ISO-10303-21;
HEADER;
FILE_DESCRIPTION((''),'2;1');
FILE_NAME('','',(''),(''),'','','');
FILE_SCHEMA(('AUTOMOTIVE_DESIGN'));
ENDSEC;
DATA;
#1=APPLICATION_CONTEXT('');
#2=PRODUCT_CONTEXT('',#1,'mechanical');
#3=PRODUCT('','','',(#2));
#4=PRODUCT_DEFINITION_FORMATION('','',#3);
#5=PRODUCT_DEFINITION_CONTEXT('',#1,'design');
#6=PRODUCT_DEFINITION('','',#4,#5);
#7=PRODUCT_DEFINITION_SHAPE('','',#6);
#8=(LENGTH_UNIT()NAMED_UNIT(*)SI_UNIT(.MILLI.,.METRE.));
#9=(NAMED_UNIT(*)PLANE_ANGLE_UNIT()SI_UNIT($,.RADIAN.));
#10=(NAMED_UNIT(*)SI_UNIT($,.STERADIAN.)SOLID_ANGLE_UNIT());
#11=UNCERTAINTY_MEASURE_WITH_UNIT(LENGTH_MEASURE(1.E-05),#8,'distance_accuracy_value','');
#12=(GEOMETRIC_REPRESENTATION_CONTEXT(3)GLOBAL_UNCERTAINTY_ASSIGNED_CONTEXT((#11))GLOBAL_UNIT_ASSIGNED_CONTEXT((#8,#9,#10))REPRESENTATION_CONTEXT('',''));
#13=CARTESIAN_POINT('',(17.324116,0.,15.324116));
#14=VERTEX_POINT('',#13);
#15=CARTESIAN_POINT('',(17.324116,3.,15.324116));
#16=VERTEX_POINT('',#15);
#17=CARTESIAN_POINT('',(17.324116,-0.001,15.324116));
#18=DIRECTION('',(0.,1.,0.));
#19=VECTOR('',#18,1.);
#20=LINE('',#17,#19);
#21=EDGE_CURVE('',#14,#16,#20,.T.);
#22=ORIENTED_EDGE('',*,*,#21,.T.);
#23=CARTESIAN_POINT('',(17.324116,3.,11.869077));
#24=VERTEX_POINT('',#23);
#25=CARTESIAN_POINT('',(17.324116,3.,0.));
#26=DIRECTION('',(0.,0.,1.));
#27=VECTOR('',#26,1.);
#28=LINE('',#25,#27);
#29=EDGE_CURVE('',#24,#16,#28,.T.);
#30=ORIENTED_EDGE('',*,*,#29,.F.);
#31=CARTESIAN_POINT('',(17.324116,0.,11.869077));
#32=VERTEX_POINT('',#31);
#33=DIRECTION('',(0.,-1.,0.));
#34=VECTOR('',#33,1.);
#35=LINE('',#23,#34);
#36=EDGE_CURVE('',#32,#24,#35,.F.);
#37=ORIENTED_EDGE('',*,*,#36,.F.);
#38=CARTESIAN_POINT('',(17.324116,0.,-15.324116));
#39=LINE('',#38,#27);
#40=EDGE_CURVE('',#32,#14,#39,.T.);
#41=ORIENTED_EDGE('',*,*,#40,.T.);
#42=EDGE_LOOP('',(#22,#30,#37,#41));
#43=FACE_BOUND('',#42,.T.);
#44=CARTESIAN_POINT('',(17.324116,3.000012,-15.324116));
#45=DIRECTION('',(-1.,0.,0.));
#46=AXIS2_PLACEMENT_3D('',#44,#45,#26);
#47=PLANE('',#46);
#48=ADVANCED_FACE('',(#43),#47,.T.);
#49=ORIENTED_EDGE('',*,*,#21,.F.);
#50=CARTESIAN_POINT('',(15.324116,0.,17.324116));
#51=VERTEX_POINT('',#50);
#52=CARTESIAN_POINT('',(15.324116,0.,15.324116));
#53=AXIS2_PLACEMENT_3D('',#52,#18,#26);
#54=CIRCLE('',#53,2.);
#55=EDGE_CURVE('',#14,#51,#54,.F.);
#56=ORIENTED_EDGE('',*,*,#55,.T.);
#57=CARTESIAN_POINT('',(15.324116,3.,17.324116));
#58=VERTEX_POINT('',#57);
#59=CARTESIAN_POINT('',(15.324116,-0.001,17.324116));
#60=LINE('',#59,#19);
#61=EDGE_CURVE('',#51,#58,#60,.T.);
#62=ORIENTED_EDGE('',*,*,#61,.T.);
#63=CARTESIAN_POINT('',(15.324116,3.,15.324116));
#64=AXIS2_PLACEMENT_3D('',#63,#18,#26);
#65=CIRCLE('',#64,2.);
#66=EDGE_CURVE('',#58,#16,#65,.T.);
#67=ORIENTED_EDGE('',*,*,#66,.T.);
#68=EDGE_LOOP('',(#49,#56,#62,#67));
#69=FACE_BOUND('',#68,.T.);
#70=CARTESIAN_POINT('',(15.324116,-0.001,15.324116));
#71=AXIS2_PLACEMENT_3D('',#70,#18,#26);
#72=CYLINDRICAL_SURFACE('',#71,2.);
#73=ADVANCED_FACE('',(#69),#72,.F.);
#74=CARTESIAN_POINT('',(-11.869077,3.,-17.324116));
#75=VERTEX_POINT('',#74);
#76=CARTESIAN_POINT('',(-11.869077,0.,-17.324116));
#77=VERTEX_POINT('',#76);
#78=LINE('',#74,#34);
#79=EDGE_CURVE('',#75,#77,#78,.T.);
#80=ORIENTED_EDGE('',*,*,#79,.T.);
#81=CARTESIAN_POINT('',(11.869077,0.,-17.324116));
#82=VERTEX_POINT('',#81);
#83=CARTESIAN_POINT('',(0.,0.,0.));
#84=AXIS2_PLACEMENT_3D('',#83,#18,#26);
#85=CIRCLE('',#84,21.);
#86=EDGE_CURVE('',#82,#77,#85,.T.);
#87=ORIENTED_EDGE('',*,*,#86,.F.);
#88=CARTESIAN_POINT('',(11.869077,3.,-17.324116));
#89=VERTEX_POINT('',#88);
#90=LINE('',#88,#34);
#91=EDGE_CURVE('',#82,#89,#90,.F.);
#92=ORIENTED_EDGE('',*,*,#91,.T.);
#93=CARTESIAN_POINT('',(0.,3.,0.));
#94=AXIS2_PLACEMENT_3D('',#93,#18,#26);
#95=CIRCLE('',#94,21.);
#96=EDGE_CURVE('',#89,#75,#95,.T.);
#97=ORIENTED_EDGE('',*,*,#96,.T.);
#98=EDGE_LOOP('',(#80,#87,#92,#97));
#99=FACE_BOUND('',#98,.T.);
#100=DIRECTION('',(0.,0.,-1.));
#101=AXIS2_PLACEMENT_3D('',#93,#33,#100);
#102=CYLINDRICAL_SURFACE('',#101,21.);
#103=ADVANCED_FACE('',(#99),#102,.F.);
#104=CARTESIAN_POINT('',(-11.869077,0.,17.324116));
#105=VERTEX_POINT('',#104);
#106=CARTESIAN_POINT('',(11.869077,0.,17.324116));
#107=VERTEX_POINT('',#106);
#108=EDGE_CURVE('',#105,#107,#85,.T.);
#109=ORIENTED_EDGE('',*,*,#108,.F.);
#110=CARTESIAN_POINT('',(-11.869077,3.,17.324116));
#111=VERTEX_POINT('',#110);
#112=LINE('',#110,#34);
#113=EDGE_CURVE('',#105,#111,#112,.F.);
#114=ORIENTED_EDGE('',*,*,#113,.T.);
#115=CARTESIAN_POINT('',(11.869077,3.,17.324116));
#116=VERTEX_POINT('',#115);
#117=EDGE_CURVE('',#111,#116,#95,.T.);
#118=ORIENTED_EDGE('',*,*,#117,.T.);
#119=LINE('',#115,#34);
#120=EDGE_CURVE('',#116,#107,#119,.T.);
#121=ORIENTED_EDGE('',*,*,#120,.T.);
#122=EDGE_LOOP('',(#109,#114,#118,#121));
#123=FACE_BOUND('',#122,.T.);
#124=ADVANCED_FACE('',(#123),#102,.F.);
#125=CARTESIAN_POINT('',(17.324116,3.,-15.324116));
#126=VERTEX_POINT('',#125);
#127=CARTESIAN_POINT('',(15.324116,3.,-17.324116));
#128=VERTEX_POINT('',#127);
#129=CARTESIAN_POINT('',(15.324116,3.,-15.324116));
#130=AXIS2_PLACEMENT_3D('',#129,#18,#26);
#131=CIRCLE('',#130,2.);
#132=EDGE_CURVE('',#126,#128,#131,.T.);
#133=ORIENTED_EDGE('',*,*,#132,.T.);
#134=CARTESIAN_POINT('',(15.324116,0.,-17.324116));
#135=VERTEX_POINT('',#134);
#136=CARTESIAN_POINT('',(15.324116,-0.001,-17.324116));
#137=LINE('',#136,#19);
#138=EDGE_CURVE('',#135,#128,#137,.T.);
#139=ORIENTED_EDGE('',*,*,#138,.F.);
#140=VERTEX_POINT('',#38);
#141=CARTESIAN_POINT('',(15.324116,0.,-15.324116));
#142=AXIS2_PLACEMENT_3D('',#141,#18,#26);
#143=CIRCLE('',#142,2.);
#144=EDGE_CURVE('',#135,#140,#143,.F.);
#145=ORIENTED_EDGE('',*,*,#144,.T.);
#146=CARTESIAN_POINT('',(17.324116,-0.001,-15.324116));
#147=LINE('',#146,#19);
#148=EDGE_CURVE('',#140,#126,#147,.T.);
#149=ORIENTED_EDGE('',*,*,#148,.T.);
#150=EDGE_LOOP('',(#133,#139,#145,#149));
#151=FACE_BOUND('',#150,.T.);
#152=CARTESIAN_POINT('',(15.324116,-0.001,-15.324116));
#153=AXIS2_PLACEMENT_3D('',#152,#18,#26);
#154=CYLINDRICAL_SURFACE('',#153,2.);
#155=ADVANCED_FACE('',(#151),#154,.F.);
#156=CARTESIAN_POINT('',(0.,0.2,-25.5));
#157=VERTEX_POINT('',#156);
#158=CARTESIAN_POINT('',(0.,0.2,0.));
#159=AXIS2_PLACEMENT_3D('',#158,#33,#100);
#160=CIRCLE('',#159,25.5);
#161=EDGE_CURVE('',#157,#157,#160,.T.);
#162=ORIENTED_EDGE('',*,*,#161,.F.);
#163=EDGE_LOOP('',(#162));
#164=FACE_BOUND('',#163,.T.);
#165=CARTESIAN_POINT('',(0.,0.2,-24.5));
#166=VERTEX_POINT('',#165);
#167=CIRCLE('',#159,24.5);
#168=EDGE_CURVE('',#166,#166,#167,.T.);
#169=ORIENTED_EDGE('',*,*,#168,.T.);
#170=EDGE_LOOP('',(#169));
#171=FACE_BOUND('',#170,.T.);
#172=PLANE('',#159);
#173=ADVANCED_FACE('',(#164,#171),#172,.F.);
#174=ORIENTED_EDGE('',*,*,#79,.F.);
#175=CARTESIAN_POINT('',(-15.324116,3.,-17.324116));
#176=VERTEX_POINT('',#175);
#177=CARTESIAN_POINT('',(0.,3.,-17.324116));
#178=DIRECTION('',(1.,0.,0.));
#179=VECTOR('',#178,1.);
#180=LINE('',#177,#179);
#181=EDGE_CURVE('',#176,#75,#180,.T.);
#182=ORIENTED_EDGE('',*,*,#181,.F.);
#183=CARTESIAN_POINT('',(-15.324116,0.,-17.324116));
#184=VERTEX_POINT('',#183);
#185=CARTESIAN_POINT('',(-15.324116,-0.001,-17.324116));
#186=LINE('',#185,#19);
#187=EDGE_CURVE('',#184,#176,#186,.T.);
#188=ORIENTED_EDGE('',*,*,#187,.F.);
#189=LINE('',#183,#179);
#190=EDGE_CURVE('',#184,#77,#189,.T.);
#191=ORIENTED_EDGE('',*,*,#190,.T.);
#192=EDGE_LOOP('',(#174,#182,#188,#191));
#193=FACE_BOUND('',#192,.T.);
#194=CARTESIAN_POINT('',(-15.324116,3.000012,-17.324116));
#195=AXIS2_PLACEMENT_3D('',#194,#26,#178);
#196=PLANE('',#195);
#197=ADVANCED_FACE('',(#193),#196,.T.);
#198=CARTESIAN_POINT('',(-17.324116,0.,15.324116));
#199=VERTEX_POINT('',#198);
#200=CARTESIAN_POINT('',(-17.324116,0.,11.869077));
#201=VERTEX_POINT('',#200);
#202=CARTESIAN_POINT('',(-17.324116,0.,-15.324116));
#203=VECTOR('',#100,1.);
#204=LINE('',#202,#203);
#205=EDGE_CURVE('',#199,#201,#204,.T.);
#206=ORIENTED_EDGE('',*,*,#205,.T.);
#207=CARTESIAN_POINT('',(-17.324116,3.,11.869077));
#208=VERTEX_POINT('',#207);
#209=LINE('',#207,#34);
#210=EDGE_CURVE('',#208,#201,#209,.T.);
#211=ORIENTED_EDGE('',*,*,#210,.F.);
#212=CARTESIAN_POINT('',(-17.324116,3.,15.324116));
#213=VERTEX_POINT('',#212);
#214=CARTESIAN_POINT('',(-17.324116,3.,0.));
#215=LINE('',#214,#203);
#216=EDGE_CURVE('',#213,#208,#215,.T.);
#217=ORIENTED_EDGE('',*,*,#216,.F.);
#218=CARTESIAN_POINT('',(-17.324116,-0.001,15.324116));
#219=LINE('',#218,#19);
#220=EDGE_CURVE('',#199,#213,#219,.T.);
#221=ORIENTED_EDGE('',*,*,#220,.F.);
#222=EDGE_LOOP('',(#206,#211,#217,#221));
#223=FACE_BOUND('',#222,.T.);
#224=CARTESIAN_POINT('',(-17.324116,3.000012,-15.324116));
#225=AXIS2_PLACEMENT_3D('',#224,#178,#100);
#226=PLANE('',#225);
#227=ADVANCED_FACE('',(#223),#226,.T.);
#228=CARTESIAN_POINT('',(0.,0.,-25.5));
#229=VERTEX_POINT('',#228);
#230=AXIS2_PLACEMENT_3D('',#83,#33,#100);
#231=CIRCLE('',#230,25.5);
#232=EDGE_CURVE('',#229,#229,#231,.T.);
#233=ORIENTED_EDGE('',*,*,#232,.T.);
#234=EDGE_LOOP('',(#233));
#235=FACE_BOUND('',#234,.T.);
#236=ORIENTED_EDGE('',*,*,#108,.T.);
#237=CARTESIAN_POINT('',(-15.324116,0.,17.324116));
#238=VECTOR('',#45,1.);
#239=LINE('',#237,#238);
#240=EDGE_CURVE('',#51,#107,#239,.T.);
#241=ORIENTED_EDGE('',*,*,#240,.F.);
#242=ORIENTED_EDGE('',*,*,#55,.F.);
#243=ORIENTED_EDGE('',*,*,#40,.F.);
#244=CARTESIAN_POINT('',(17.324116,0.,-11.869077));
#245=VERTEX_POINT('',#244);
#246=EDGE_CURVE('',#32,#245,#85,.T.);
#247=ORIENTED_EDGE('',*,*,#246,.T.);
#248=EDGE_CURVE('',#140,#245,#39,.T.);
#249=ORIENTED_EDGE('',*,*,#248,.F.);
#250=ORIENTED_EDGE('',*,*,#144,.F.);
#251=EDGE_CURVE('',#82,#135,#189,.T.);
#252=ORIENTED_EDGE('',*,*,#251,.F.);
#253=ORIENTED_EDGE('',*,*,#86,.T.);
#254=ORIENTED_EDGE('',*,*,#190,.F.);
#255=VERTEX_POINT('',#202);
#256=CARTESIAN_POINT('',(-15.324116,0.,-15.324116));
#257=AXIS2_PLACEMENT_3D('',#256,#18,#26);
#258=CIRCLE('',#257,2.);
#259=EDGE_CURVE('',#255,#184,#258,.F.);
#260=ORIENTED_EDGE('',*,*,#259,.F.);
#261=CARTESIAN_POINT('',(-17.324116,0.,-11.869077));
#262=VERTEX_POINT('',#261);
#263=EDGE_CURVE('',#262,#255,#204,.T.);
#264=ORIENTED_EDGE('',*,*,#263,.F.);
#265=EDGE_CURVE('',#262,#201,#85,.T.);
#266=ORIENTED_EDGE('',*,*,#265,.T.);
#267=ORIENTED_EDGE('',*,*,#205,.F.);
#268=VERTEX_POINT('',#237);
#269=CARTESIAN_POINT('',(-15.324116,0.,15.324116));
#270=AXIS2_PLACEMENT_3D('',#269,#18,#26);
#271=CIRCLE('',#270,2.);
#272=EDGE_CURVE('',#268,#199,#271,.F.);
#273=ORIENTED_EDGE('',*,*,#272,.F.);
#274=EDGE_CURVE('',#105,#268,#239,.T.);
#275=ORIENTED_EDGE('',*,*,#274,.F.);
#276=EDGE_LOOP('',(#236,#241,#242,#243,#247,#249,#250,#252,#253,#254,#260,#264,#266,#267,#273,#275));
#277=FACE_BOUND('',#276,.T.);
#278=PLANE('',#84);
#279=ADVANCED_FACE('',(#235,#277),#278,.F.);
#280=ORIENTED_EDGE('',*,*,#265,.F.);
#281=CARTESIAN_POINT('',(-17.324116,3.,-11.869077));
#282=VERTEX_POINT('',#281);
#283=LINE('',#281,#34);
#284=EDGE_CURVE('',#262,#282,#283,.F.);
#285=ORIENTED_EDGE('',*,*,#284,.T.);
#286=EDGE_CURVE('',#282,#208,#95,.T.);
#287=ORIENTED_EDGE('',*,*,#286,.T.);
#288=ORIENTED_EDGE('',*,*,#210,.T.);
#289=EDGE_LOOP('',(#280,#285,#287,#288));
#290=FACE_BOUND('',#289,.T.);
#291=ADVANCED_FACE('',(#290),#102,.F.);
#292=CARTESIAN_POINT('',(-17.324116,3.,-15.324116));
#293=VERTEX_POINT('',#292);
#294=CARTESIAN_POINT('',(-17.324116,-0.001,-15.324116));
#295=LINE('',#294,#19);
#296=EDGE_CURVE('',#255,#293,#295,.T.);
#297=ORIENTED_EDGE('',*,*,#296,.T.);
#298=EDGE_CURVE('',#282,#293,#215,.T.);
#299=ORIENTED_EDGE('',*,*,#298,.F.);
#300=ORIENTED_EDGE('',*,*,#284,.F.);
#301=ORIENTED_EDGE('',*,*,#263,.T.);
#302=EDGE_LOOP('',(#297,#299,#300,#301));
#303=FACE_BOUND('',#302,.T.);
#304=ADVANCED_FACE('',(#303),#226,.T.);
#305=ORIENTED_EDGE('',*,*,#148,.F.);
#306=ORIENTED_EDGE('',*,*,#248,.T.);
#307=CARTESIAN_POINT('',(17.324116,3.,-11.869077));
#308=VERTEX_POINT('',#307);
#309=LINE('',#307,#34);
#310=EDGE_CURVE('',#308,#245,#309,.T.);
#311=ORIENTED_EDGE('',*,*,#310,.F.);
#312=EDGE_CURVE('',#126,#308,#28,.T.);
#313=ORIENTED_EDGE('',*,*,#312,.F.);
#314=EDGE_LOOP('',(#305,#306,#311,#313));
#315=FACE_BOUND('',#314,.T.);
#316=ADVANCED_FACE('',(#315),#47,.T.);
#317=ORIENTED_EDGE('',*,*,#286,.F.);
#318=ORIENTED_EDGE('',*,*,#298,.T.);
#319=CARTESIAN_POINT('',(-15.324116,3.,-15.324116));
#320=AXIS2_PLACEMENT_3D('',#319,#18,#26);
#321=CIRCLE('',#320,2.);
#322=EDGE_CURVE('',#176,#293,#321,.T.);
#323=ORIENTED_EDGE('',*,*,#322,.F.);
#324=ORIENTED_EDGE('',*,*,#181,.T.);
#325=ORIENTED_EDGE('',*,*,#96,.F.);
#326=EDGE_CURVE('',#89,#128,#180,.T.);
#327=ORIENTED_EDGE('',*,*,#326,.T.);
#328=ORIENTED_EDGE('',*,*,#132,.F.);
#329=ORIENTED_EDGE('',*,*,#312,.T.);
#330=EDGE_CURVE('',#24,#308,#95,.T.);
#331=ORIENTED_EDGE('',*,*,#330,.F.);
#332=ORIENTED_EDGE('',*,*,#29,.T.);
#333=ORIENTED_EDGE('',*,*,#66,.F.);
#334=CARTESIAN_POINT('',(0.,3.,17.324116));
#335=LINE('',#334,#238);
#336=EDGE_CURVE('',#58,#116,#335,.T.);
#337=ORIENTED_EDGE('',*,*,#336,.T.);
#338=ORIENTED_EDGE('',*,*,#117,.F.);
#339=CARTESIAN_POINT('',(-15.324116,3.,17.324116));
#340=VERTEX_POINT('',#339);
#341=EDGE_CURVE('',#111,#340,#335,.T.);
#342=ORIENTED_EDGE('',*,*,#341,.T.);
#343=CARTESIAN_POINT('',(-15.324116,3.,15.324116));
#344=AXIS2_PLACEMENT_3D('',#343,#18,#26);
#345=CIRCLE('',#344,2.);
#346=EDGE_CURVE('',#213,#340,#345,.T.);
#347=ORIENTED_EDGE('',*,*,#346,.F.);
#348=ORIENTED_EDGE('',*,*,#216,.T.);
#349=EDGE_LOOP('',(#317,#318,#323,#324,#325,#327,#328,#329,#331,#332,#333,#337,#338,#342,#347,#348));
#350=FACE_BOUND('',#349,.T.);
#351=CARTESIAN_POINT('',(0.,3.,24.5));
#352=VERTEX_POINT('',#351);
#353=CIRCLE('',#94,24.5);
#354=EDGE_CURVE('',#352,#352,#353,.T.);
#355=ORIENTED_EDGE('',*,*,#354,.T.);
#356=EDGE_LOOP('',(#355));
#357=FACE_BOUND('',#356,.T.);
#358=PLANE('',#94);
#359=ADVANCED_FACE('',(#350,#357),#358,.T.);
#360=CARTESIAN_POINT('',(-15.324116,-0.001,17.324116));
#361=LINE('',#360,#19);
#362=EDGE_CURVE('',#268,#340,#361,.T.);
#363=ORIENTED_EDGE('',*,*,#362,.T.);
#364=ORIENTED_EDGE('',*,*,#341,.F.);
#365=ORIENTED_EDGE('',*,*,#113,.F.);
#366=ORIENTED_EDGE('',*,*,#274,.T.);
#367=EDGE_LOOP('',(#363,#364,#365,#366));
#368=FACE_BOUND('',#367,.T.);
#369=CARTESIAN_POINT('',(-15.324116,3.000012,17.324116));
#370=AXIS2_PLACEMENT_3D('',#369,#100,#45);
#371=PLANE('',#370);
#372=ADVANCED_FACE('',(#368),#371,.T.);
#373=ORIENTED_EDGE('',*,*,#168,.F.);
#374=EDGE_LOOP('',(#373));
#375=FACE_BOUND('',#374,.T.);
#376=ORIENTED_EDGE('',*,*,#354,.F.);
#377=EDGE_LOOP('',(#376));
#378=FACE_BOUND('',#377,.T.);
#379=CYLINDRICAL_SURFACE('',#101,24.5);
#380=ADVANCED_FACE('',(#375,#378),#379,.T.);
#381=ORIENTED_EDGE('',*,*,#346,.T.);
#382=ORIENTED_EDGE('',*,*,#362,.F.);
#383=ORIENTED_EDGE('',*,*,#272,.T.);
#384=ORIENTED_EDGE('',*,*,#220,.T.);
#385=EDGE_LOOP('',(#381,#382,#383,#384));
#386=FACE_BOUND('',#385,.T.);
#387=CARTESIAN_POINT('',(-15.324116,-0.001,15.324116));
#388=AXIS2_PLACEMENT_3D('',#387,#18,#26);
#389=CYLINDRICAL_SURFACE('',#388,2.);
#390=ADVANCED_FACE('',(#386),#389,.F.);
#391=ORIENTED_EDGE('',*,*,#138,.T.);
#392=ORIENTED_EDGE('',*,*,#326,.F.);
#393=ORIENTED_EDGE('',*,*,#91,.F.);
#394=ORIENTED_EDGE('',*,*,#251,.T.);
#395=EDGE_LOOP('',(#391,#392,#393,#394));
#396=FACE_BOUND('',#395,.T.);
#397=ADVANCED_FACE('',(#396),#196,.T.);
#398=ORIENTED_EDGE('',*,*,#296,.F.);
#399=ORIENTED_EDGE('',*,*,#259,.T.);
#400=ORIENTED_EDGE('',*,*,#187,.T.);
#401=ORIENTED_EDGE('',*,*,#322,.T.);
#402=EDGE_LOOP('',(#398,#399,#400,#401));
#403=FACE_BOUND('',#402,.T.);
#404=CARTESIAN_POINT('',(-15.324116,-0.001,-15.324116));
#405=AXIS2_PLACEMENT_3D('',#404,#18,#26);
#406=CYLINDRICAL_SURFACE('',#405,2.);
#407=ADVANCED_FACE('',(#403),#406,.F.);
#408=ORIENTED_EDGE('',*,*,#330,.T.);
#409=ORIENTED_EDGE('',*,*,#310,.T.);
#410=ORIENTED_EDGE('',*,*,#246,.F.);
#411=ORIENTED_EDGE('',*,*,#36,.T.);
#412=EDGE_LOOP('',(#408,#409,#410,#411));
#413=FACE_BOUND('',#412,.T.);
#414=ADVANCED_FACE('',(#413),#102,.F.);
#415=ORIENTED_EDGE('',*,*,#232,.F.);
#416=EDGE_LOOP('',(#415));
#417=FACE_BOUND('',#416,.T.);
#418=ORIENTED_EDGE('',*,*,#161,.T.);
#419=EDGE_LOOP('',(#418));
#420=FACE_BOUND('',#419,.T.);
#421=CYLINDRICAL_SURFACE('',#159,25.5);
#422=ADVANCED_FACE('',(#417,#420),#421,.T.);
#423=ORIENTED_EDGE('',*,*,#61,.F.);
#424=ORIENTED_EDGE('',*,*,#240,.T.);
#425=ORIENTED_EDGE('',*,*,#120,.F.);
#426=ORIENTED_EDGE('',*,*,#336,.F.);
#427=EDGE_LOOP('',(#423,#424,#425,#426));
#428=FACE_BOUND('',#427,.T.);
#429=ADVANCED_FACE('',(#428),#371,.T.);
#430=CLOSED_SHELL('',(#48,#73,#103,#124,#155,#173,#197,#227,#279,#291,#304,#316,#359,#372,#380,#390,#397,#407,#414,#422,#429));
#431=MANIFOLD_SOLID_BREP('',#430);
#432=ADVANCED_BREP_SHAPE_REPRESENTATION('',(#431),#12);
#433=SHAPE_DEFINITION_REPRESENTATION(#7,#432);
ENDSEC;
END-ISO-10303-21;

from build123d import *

# Parameters (mm, degrees)
SKETCH_1_R          = 24.5
SKETCH_1_R_2        = 21
EXTRUDE_1_DEPTH     = 3
SKETCH_2_R          = 25.5
SKETCH_2_R_2        = 24.5
EXTRUDE_2_DEPTH     = 0.2
CUT_EXTRUDE_START   = -3
CUT_EXTRUDE_3_DEPTH = 3


with BuildPart() as part:
    # 草图1 → 凸台-拉伸1 (new body)
    with BuildSketch(Plane(origin=(0, 0, 0), x_dir=(1, 0, 0), z_dir=(0, 1, 0))):
        with Locations(Location((0, 0, 0), (0, 0, 270))):
            Circle(SKETCH_1_R)
        with Locations(Location((0, 0, 0), (0, 0, 270))):
            Circle(SKETCH_1_R_2, mode=Mode.SUBTRACT)
    extrude(amount=EXTRUDE_1_DEPTH)

    # 草图2 → 凸台-拉伸2 (add)
    with BuildSketch(Plane.XZ):
        with Locations(Location((0, 0, 0), (0, 0, 270))):
            Circle(SKETCH_2_R)
        with Locations(Location((0, 0, 0), (0, 0, 270))):
            Circle(SKETCH_2_R_2, mode=Mode.SUBTRACT)
    extrude(amount=-EXTRUDE_2_DEPTH)

    # 草图3 → 切除-拉伸3 (cut)
    with BuildSketch(Plane(origin=(0, 3, 0), x_dir=(1, 0, 0), z_dir=(0, 1, 0)).offset(CUT_EXTRUDE_START)):
        with BuildLine():
            Line((-15.324116139, 17.324116139), (15.324116139, 17.324116139))
            ThreePointArc((15.324116139, 17.324116139), (16.738329701, 16.738329701), (17.324116139, 15.324116139))
            Line((17.324116139, 15.324116139), (17.324116139, -15.324116139))
            ThreePointArc((17.324116139, -15.324116139), (16.738329701, -16.738329701), (15.324116139, -17.324116139))
            Line((15.324116139, -17.324116139), (-15.324116139, -17.324116139))
            ThreePointArc((-15.324116139, -17.324116139), (-16.738329701, -16.738329701), (-17.324116139, -15.324116139))
            Line((-17.324116139, -15.324116139), (-17.324116139, 15.324116139))
            ThreePointArc((-17.324116139, 15.324116139), (-16.738329701, 16.738329701), (-15.324116139, 17.324116139))
        make_face()
    extrude(amount=CUT_EXTRUDE_3_DEPTH, mode=Mode.SUBTRACT)


solid = part.part
